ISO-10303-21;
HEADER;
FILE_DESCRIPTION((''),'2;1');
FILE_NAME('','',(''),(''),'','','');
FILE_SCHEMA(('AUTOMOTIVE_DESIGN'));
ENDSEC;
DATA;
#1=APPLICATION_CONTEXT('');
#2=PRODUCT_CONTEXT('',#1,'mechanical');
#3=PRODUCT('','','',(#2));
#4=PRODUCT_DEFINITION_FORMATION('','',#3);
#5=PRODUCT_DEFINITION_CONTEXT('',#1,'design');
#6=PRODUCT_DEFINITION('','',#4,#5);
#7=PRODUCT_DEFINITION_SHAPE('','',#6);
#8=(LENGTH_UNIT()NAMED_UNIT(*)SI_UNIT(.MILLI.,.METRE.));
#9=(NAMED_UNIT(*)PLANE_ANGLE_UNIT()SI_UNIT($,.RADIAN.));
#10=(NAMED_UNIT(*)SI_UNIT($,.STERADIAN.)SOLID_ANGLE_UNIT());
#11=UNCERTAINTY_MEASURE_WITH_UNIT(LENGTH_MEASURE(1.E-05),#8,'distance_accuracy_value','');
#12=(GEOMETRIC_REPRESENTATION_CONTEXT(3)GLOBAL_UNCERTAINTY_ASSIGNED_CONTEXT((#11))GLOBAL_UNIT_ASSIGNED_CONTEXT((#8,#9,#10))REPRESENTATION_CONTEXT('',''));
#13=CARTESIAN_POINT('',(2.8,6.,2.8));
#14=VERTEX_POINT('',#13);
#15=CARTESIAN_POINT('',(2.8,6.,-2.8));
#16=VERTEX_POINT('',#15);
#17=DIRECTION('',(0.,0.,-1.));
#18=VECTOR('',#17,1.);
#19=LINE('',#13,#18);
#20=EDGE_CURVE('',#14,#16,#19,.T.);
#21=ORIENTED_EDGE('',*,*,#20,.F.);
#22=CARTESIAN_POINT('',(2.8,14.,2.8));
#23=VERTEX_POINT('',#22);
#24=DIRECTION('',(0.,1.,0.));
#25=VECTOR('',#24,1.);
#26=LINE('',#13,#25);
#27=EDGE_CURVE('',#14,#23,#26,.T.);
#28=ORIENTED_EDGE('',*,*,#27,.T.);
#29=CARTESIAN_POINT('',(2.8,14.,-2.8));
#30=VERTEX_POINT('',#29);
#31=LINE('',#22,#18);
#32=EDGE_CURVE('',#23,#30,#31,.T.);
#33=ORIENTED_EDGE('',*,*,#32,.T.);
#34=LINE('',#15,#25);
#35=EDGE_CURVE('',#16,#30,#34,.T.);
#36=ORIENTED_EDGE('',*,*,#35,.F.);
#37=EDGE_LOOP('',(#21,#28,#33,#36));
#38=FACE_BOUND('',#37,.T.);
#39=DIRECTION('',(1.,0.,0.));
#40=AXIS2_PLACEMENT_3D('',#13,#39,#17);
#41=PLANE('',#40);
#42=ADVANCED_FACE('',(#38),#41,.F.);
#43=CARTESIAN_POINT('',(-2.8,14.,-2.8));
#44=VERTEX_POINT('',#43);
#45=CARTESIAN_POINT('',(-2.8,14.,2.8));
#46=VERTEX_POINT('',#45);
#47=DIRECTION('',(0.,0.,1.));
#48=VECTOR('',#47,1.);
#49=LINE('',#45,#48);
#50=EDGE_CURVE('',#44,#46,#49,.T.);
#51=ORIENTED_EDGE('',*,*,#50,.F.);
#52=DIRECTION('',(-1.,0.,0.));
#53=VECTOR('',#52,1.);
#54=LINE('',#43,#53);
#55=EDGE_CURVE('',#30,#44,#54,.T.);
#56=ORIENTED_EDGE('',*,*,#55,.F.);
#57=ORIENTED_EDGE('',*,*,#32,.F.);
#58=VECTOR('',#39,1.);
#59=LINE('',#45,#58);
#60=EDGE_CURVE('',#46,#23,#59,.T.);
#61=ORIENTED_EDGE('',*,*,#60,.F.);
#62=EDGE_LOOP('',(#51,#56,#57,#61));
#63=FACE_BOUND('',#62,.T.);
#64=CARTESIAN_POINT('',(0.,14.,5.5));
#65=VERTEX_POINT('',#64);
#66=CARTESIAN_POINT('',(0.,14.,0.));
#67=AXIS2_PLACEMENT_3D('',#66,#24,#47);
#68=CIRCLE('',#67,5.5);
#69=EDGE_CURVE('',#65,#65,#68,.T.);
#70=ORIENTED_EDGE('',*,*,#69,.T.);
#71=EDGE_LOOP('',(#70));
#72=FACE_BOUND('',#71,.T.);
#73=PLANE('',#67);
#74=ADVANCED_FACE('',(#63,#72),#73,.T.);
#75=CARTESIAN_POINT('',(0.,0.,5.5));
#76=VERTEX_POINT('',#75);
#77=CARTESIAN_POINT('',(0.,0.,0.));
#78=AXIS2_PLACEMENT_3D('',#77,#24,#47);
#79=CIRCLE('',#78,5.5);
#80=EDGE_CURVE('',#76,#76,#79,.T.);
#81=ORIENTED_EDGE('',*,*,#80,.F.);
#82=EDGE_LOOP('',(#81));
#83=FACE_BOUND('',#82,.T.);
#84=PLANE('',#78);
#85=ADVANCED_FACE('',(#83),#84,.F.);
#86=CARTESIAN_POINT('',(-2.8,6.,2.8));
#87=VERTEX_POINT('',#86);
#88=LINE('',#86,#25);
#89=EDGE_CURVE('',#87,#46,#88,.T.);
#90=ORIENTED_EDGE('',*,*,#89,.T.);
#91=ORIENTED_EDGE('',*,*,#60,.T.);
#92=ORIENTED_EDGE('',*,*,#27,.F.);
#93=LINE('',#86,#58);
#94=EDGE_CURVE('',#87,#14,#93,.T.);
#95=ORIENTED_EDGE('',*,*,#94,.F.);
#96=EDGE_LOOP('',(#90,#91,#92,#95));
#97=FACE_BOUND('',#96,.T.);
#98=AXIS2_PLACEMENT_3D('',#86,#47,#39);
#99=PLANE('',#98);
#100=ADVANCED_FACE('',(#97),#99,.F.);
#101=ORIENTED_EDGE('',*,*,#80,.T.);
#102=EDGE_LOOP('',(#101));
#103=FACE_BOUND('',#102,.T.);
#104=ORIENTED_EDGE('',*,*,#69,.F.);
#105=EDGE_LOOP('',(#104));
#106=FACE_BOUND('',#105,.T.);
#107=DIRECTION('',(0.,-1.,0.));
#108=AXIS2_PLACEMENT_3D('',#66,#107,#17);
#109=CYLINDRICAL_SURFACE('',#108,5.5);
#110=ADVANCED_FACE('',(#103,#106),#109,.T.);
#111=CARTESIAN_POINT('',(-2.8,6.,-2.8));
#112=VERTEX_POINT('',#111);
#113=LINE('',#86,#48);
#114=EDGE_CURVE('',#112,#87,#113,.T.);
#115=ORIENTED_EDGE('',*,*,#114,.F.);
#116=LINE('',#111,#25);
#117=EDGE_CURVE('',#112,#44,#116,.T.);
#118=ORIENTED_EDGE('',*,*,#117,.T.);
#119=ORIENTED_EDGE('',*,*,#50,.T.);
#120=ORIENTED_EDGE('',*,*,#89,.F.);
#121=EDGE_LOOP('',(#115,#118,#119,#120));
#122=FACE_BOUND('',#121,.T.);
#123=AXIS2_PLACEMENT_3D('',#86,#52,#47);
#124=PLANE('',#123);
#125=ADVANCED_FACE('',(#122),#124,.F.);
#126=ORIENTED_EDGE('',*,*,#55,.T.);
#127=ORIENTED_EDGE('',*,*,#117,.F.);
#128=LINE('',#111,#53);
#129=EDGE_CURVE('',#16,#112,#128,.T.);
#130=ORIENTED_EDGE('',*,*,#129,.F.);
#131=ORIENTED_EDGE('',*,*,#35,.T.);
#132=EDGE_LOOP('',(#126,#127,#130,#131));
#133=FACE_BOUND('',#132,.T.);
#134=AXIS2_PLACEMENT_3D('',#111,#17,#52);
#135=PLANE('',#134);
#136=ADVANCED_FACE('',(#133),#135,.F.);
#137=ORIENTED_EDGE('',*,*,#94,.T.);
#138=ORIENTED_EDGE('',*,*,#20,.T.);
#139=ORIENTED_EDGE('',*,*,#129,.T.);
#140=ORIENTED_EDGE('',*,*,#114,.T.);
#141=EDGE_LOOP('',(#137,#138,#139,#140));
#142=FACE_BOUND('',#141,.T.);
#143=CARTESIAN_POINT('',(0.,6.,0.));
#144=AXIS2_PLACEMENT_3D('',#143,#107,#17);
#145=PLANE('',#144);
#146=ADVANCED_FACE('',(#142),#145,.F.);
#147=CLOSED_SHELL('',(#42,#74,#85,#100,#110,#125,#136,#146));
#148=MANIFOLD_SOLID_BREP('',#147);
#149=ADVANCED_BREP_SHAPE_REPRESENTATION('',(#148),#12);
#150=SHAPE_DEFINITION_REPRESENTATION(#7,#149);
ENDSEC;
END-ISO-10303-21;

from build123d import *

# Parameters (mm, degrees)
SKETCH1_R           = 5.5
BOSS_EXTRUDE1_DEPTH = 14
SKETCH2_W           = 5.6
SKETCH2_H           = 5.6
CUT_EXTRUDE1_DEPTH  = 8


with BuildPart() as part:
    # Sketch1 → Boss-Extrude1 (new body)
    with BuildSketch(Plane(origin=(0, 0, 0), x_dir=(1, 0, 0), z_dir=(0, 1, 0))):
        with Locations(Location((0, 0, 0), (0, 0, 270))):
            Circle(SKETCH1_R)
    extrude(amount=BOSS_EXTRUDE1_DEPTH)

    # Sketch2 → Cut-Extrude1 (cut)
    with BuildSketch(Plane(origin=(0, 14, 0), x_dir=(1, 0, 0), z_dir=(0, 1, 0))):
        Rectangle(SKETCH2_W, SKETCH2_H)
    extrude(amount=-CUT_EXTRUDE1_DEPTH, mode=Mode.SUBTRACT)


solid = part.part
